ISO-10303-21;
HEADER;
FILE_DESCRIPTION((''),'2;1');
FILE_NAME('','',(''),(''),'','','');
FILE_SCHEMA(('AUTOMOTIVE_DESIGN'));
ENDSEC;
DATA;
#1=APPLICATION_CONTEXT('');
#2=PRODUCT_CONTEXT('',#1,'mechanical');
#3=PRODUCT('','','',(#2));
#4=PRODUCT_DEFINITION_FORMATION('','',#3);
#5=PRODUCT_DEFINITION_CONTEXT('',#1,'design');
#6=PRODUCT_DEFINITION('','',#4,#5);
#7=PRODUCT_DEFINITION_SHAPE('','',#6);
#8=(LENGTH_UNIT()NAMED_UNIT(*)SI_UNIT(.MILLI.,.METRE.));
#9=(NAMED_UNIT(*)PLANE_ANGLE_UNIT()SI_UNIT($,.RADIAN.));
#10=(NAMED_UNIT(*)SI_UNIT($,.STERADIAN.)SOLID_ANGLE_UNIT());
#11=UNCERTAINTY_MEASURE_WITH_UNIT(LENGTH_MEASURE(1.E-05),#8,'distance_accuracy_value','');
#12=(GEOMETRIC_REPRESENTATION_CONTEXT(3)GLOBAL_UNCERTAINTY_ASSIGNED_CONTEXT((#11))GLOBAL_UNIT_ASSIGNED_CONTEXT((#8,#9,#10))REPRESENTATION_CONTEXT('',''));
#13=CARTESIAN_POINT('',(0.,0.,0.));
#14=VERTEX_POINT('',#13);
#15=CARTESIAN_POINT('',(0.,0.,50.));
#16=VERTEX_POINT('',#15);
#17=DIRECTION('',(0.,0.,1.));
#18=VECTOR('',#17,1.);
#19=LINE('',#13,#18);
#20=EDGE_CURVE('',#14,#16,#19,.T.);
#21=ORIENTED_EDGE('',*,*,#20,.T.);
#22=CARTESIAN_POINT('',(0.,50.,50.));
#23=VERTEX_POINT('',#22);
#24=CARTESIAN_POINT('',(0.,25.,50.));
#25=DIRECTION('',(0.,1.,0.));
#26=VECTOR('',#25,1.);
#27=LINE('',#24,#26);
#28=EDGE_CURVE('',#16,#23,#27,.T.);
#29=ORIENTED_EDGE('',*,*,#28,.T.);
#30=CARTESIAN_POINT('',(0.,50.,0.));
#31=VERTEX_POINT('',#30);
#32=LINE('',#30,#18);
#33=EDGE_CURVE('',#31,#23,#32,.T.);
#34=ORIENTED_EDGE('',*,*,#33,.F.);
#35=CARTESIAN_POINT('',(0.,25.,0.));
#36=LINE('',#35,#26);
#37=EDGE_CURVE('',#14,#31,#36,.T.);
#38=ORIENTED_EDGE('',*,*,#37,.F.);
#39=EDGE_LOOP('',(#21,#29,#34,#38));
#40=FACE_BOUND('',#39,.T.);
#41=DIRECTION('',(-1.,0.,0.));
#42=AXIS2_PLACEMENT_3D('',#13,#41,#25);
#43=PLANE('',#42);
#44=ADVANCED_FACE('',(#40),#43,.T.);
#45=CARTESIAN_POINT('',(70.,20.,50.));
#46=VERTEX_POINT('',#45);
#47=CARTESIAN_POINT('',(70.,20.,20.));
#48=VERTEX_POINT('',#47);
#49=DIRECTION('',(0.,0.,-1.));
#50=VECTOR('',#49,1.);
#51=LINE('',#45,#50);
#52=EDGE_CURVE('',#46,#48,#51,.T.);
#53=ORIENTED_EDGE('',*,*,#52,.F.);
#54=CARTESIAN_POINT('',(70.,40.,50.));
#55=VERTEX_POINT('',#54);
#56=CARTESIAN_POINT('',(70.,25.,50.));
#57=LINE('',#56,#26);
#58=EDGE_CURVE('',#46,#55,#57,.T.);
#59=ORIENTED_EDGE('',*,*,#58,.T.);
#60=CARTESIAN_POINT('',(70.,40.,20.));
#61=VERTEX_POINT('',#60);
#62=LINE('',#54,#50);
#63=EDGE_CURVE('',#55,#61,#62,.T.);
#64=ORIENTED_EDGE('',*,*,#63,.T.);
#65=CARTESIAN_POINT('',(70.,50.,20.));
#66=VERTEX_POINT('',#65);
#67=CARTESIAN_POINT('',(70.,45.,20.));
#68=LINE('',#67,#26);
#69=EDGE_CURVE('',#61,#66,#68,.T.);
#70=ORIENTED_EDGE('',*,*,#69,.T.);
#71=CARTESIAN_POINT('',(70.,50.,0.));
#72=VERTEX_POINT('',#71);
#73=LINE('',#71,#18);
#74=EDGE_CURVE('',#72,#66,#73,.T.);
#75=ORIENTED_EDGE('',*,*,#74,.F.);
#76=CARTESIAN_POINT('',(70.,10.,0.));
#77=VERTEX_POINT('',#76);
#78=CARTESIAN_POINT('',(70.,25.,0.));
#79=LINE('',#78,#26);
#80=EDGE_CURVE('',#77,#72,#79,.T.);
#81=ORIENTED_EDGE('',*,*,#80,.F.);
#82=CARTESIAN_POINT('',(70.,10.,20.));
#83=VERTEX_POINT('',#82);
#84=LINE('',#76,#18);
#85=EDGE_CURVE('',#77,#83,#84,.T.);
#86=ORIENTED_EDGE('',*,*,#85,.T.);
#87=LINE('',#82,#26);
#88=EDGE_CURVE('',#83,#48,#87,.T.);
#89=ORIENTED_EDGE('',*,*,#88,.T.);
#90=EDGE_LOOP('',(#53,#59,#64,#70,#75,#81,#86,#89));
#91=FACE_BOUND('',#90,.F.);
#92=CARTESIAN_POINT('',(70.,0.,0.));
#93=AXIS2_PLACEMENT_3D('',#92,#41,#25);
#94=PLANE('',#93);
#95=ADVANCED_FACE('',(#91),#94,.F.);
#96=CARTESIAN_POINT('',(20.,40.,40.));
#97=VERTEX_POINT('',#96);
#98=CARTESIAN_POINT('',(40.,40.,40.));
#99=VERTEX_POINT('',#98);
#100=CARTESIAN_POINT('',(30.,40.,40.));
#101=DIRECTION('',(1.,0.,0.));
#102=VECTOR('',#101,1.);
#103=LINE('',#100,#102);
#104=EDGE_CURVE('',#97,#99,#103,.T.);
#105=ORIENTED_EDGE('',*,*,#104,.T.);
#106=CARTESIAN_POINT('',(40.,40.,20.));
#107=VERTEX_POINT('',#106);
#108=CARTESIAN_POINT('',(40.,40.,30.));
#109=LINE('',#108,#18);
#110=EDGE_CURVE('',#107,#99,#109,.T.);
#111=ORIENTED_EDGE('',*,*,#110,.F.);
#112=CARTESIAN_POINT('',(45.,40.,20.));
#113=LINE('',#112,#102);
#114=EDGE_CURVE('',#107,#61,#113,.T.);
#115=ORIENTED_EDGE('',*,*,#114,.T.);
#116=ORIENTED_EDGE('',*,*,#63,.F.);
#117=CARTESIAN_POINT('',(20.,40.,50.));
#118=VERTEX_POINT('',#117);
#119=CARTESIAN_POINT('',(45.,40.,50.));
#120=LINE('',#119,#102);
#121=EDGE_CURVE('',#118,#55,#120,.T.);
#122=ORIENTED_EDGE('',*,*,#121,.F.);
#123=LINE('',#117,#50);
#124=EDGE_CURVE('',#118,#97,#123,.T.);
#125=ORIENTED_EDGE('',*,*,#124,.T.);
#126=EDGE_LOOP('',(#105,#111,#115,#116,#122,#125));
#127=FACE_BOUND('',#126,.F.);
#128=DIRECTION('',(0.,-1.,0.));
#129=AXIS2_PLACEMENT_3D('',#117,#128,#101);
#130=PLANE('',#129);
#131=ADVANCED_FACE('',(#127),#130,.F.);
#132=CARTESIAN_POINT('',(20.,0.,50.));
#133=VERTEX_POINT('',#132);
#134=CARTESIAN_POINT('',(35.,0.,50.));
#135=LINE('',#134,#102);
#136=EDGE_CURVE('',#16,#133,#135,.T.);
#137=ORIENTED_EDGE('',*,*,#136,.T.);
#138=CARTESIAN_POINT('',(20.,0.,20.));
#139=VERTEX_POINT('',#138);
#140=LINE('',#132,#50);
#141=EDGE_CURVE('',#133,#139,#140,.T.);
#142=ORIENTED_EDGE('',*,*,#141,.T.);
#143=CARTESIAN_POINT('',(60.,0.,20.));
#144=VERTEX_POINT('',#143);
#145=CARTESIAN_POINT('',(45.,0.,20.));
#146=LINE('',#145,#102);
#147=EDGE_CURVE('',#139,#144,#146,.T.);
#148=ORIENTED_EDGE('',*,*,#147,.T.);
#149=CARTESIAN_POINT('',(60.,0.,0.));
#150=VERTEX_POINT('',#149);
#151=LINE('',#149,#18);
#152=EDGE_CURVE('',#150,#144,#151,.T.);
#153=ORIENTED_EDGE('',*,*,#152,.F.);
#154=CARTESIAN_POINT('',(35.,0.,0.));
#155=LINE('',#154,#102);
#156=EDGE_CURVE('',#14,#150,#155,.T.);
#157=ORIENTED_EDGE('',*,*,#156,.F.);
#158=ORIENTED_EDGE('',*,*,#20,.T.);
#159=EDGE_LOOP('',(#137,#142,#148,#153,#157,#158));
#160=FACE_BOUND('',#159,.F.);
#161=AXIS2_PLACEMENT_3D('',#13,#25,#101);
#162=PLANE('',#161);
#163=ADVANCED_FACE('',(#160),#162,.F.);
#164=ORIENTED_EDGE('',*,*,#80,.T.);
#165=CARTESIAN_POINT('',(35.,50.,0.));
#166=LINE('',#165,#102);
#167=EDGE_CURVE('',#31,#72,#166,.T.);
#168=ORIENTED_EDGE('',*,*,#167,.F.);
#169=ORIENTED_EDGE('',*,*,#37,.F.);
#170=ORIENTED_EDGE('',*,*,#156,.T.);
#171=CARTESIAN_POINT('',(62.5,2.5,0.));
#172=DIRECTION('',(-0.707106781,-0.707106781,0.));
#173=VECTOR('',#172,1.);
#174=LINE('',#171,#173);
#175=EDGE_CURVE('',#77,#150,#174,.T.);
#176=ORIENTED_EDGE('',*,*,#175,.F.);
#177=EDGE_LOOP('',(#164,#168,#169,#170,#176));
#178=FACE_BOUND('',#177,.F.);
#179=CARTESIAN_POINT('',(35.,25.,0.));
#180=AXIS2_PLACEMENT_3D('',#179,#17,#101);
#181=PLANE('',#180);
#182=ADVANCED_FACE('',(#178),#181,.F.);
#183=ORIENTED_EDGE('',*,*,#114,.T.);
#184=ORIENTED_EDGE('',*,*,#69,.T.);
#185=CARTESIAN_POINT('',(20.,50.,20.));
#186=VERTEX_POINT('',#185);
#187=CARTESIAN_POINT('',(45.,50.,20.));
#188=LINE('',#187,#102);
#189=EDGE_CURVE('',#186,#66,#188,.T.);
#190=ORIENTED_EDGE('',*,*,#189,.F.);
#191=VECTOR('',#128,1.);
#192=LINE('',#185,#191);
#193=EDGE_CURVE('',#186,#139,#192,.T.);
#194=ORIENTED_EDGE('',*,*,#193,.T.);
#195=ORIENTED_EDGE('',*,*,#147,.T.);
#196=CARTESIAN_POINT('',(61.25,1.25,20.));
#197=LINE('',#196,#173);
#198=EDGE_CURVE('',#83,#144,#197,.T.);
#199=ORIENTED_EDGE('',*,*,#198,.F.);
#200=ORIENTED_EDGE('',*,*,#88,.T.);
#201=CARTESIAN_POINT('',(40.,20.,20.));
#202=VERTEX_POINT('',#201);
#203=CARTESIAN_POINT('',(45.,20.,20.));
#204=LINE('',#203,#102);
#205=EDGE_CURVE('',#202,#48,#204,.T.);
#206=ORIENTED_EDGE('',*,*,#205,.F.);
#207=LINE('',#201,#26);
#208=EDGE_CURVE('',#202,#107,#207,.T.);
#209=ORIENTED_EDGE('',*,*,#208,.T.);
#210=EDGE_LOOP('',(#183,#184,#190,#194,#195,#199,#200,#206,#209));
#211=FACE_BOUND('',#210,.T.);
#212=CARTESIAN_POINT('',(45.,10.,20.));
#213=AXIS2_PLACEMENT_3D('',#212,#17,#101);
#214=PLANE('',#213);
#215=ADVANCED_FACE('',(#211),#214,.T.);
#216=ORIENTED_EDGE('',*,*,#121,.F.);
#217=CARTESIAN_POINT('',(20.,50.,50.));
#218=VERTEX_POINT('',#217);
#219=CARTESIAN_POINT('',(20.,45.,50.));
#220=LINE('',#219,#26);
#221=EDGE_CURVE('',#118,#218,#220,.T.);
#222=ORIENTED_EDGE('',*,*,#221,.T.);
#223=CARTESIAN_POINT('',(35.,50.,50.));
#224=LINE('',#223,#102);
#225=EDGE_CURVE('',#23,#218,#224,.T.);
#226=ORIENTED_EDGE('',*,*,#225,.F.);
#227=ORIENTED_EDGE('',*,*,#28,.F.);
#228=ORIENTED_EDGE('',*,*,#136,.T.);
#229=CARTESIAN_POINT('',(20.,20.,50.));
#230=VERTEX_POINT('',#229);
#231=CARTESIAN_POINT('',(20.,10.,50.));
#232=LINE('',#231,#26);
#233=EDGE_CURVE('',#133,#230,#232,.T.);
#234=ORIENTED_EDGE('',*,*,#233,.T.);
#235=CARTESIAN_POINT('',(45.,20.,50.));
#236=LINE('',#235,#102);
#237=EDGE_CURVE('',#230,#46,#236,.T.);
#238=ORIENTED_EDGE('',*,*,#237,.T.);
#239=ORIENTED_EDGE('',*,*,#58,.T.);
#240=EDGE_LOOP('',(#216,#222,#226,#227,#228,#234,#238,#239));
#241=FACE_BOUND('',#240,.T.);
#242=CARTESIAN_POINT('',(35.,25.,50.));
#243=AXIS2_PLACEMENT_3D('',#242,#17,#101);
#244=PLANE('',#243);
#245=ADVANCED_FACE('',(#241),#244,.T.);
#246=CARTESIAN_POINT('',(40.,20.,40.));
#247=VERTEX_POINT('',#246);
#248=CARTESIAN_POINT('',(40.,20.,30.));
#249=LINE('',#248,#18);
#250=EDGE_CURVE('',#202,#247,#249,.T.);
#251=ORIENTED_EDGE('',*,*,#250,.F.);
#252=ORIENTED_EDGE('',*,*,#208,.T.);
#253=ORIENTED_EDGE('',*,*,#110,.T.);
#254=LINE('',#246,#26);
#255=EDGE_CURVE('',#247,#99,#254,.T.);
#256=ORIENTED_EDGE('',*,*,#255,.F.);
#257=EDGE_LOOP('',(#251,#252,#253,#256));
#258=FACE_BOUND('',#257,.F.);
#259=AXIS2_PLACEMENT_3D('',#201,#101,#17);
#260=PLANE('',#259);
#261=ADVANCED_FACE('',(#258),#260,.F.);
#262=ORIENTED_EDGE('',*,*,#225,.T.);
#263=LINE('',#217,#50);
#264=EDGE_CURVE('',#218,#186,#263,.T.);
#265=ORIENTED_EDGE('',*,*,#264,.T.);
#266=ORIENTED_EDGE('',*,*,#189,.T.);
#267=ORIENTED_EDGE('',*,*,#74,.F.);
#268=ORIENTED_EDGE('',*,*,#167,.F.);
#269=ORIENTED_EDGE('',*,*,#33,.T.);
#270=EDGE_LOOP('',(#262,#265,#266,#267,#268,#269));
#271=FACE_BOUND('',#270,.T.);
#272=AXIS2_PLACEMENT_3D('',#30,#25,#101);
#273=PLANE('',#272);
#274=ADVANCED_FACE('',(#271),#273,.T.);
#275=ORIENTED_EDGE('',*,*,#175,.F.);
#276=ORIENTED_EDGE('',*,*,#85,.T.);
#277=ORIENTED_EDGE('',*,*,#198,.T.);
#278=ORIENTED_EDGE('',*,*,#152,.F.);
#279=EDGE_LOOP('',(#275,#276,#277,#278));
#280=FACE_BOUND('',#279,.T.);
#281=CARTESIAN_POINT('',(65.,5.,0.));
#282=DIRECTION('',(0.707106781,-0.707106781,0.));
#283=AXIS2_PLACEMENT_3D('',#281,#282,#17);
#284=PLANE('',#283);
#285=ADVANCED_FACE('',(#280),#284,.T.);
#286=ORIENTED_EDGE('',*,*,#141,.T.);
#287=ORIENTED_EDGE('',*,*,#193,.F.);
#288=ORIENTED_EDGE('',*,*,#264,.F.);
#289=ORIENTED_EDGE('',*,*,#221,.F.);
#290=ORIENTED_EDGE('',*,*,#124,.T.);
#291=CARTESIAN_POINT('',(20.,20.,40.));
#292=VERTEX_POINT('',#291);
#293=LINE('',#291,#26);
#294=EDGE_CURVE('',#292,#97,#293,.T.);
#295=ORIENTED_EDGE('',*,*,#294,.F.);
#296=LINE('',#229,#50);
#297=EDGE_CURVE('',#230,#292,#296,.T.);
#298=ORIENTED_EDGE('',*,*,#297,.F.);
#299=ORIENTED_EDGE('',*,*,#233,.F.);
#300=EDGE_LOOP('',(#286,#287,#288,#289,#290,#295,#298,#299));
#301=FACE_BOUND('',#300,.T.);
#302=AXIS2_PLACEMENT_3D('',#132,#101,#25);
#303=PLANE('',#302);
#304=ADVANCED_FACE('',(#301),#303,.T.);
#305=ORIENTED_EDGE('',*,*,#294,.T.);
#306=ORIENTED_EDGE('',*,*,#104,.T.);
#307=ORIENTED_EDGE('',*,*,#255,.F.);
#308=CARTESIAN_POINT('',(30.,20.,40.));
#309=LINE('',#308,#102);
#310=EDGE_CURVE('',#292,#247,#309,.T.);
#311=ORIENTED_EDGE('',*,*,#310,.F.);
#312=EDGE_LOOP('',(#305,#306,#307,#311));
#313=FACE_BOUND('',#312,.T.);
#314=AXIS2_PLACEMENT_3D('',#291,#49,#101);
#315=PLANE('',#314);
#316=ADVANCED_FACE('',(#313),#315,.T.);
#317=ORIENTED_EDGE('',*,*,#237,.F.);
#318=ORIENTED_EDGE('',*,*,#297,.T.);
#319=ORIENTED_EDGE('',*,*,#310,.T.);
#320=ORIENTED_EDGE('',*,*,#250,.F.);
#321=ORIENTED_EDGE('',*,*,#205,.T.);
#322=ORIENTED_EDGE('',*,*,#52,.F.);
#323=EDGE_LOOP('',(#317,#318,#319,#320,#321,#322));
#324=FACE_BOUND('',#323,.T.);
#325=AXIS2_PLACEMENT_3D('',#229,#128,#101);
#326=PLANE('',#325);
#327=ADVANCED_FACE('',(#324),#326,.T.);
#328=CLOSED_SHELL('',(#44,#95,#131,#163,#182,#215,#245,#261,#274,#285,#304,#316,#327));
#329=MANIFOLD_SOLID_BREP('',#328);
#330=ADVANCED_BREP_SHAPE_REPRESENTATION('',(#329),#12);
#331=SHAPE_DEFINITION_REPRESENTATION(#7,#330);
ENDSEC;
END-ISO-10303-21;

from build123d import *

# Parameters (mm, degrees)
F0_W     = 70
F0_H     = 50
F1_DEPTH = 50
F2_W     = 50
F2_H     = 20
F3_DEPTH = 30
F4_W     = 50
F4_H     = 10
F5_DEPTH = 30
F6_W     = 20
F6_H     = 20
F7_DEPTH = 20
F8_SIZE  = 10


with BuildPart() as f1:
    # F0 (on Top) → F1 (new body)
    with BuildSketch(Plane.XY):
        with Locations((35, 25)):
            Rectangle(F0_W, F0_H)
    extrude(amount=F1_DEPTH)

    # F2 (on face) → F3 (cut)
    with BuildSketch(Plane.XY.offset(50)):
        with Locations((45, 10)):
            Rectangle(F2_W, F2_H)
    extrude(amount=-F3_DEPTH, mode=Mode.SUBTRACT)

    # F4 (on face) → F5 (cut)
    with BuildSketch(Plane.XY.offset(50)):
        with Locations((45, 45)):
            Rectangle(F4_W, F4_H)
    extrude(amount=-F5_DEPTH, mode=Mode.SUBTRACT)

    # F6 (on face) → F7 (cut, through all)
    with BuildSketch(Plane.XZ.offset(-20)):
        with Locations((30, 30)):
            Rectangle(F6_W, F6_H)
    extrude(amount=-F7_DEPTH, mode=Mode.SUBTRACT)

    # F8
    f8_edges = [f1.edges().sort_by_distance(p)[0] for p in [
        (70, 0, 10),
    ]]
    chamfer(f8_edges, length=F8_SIZE)


solid = f1.part
